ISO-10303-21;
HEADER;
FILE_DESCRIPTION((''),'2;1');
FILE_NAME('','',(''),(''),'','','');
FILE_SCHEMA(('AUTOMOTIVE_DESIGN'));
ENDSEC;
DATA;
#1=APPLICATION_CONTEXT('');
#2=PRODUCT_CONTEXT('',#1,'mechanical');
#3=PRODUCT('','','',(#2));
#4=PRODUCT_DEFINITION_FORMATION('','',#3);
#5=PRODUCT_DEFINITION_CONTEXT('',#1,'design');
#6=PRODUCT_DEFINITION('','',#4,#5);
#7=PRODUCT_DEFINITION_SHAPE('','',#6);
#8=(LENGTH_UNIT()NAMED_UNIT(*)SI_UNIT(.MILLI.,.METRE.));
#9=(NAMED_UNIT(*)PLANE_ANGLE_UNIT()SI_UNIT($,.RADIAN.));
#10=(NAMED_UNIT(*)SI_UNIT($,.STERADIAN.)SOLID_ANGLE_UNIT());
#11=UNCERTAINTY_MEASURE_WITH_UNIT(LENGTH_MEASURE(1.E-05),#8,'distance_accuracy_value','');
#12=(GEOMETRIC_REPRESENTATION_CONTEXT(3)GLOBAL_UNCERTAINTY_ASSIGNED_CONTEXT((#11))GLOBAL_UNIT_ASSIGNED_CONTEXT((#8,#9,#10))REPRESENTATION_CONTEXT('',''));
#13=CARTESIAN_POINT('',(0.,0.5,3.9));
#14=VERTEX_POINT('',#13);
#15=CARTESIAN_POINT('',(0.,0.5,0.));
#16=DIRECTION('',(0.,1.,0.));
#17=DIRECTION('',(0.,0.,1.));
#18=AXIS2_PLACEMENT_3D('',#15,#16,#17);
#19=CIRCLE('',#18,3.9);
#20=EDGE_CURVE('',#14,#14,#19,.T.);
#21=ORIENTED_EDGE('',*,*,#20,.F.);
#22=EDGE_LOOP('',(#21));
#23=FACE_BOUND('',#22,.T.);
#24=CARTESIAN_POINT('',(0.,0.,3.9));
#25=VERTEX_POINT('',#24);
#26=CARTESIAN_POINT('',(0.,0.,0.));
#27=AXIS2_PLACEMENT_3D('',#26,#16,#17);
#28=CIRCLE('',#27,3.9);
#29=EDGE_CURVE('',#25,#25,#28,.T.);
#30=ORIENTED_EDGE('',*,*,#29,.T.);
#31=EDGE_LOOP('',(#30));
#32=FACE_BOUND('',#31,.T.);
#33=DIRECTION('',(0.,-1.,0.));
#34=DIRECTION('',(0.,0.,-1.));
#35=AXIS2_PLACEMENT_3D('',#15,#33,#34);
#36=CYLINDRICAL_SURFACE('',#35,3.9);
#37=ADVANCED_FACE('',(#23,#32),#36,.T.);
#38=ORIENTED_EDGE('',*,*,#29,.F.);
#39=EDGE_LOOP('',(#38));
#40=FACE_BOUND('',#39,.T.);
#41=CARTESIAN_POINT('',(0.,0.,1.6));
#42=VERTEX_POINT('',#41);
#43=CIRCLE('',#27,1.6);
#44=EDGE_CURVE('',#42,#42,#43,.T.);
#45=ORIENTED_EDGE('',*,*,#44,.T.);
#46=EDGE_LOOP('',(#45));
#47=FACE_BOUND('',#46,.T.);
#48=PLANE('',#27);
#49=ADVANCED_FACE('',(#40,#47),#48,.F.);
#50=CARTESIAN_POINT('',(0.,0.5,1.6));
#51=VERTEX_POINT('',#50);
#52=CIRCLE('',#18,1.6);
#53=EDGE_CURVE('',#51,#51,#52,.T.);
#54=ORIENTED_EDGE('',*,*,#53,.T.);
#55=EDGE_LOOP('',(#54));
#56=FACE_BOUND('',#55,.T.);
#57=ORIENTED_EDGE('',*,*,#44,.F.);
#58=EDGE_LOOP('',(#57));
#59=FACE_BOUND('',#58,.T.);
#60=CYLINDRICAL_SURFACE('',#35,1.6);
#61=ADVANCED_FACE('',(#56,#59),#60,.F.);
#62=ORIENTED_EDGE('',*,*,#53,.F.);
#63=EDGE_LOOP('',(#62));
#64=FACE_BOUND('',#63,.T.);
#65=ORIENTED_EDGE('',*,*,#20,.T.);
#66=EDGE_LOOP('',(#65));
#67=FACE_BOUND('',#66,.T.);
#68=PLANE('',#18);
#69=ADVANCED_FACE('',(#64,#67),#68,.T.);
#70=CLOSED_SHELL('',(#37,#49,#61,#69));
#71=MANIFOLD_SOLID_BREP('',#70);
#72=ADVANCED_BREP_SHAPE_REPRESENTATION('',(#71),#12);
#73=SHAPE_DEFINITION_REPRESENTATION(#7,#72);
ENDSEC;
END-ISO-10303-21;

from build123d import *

# Parameters (mm, degrees)
SKETCH1_R      = 3.9
SKETCH1_R_2    = 1.6
EXTRUDE1_DEPTH = 0.5


with BuildPart() as part:
    # Sketch1 → Extrude1 (new body)
    with BuildSketch(Plane(origin=(0, 0, 0), x_dir=(1, 0, 0), z_dir=(0, 1, 0))):
        with Locations(Location((0, 0, 0), (0, 0, 270))):  # turned: the seam where the file's is
            Circle(SKETCH1_R)
        with Locations(Location((0, 0, 0), (0, 0, 270))):  # turned: the seam where the file's is
            Circle(SKETCH1_R_2, mode=Mode.SUBTRACT)
    extrude(amount=EXTRUDE1_DEPTH)


solid = part.part
